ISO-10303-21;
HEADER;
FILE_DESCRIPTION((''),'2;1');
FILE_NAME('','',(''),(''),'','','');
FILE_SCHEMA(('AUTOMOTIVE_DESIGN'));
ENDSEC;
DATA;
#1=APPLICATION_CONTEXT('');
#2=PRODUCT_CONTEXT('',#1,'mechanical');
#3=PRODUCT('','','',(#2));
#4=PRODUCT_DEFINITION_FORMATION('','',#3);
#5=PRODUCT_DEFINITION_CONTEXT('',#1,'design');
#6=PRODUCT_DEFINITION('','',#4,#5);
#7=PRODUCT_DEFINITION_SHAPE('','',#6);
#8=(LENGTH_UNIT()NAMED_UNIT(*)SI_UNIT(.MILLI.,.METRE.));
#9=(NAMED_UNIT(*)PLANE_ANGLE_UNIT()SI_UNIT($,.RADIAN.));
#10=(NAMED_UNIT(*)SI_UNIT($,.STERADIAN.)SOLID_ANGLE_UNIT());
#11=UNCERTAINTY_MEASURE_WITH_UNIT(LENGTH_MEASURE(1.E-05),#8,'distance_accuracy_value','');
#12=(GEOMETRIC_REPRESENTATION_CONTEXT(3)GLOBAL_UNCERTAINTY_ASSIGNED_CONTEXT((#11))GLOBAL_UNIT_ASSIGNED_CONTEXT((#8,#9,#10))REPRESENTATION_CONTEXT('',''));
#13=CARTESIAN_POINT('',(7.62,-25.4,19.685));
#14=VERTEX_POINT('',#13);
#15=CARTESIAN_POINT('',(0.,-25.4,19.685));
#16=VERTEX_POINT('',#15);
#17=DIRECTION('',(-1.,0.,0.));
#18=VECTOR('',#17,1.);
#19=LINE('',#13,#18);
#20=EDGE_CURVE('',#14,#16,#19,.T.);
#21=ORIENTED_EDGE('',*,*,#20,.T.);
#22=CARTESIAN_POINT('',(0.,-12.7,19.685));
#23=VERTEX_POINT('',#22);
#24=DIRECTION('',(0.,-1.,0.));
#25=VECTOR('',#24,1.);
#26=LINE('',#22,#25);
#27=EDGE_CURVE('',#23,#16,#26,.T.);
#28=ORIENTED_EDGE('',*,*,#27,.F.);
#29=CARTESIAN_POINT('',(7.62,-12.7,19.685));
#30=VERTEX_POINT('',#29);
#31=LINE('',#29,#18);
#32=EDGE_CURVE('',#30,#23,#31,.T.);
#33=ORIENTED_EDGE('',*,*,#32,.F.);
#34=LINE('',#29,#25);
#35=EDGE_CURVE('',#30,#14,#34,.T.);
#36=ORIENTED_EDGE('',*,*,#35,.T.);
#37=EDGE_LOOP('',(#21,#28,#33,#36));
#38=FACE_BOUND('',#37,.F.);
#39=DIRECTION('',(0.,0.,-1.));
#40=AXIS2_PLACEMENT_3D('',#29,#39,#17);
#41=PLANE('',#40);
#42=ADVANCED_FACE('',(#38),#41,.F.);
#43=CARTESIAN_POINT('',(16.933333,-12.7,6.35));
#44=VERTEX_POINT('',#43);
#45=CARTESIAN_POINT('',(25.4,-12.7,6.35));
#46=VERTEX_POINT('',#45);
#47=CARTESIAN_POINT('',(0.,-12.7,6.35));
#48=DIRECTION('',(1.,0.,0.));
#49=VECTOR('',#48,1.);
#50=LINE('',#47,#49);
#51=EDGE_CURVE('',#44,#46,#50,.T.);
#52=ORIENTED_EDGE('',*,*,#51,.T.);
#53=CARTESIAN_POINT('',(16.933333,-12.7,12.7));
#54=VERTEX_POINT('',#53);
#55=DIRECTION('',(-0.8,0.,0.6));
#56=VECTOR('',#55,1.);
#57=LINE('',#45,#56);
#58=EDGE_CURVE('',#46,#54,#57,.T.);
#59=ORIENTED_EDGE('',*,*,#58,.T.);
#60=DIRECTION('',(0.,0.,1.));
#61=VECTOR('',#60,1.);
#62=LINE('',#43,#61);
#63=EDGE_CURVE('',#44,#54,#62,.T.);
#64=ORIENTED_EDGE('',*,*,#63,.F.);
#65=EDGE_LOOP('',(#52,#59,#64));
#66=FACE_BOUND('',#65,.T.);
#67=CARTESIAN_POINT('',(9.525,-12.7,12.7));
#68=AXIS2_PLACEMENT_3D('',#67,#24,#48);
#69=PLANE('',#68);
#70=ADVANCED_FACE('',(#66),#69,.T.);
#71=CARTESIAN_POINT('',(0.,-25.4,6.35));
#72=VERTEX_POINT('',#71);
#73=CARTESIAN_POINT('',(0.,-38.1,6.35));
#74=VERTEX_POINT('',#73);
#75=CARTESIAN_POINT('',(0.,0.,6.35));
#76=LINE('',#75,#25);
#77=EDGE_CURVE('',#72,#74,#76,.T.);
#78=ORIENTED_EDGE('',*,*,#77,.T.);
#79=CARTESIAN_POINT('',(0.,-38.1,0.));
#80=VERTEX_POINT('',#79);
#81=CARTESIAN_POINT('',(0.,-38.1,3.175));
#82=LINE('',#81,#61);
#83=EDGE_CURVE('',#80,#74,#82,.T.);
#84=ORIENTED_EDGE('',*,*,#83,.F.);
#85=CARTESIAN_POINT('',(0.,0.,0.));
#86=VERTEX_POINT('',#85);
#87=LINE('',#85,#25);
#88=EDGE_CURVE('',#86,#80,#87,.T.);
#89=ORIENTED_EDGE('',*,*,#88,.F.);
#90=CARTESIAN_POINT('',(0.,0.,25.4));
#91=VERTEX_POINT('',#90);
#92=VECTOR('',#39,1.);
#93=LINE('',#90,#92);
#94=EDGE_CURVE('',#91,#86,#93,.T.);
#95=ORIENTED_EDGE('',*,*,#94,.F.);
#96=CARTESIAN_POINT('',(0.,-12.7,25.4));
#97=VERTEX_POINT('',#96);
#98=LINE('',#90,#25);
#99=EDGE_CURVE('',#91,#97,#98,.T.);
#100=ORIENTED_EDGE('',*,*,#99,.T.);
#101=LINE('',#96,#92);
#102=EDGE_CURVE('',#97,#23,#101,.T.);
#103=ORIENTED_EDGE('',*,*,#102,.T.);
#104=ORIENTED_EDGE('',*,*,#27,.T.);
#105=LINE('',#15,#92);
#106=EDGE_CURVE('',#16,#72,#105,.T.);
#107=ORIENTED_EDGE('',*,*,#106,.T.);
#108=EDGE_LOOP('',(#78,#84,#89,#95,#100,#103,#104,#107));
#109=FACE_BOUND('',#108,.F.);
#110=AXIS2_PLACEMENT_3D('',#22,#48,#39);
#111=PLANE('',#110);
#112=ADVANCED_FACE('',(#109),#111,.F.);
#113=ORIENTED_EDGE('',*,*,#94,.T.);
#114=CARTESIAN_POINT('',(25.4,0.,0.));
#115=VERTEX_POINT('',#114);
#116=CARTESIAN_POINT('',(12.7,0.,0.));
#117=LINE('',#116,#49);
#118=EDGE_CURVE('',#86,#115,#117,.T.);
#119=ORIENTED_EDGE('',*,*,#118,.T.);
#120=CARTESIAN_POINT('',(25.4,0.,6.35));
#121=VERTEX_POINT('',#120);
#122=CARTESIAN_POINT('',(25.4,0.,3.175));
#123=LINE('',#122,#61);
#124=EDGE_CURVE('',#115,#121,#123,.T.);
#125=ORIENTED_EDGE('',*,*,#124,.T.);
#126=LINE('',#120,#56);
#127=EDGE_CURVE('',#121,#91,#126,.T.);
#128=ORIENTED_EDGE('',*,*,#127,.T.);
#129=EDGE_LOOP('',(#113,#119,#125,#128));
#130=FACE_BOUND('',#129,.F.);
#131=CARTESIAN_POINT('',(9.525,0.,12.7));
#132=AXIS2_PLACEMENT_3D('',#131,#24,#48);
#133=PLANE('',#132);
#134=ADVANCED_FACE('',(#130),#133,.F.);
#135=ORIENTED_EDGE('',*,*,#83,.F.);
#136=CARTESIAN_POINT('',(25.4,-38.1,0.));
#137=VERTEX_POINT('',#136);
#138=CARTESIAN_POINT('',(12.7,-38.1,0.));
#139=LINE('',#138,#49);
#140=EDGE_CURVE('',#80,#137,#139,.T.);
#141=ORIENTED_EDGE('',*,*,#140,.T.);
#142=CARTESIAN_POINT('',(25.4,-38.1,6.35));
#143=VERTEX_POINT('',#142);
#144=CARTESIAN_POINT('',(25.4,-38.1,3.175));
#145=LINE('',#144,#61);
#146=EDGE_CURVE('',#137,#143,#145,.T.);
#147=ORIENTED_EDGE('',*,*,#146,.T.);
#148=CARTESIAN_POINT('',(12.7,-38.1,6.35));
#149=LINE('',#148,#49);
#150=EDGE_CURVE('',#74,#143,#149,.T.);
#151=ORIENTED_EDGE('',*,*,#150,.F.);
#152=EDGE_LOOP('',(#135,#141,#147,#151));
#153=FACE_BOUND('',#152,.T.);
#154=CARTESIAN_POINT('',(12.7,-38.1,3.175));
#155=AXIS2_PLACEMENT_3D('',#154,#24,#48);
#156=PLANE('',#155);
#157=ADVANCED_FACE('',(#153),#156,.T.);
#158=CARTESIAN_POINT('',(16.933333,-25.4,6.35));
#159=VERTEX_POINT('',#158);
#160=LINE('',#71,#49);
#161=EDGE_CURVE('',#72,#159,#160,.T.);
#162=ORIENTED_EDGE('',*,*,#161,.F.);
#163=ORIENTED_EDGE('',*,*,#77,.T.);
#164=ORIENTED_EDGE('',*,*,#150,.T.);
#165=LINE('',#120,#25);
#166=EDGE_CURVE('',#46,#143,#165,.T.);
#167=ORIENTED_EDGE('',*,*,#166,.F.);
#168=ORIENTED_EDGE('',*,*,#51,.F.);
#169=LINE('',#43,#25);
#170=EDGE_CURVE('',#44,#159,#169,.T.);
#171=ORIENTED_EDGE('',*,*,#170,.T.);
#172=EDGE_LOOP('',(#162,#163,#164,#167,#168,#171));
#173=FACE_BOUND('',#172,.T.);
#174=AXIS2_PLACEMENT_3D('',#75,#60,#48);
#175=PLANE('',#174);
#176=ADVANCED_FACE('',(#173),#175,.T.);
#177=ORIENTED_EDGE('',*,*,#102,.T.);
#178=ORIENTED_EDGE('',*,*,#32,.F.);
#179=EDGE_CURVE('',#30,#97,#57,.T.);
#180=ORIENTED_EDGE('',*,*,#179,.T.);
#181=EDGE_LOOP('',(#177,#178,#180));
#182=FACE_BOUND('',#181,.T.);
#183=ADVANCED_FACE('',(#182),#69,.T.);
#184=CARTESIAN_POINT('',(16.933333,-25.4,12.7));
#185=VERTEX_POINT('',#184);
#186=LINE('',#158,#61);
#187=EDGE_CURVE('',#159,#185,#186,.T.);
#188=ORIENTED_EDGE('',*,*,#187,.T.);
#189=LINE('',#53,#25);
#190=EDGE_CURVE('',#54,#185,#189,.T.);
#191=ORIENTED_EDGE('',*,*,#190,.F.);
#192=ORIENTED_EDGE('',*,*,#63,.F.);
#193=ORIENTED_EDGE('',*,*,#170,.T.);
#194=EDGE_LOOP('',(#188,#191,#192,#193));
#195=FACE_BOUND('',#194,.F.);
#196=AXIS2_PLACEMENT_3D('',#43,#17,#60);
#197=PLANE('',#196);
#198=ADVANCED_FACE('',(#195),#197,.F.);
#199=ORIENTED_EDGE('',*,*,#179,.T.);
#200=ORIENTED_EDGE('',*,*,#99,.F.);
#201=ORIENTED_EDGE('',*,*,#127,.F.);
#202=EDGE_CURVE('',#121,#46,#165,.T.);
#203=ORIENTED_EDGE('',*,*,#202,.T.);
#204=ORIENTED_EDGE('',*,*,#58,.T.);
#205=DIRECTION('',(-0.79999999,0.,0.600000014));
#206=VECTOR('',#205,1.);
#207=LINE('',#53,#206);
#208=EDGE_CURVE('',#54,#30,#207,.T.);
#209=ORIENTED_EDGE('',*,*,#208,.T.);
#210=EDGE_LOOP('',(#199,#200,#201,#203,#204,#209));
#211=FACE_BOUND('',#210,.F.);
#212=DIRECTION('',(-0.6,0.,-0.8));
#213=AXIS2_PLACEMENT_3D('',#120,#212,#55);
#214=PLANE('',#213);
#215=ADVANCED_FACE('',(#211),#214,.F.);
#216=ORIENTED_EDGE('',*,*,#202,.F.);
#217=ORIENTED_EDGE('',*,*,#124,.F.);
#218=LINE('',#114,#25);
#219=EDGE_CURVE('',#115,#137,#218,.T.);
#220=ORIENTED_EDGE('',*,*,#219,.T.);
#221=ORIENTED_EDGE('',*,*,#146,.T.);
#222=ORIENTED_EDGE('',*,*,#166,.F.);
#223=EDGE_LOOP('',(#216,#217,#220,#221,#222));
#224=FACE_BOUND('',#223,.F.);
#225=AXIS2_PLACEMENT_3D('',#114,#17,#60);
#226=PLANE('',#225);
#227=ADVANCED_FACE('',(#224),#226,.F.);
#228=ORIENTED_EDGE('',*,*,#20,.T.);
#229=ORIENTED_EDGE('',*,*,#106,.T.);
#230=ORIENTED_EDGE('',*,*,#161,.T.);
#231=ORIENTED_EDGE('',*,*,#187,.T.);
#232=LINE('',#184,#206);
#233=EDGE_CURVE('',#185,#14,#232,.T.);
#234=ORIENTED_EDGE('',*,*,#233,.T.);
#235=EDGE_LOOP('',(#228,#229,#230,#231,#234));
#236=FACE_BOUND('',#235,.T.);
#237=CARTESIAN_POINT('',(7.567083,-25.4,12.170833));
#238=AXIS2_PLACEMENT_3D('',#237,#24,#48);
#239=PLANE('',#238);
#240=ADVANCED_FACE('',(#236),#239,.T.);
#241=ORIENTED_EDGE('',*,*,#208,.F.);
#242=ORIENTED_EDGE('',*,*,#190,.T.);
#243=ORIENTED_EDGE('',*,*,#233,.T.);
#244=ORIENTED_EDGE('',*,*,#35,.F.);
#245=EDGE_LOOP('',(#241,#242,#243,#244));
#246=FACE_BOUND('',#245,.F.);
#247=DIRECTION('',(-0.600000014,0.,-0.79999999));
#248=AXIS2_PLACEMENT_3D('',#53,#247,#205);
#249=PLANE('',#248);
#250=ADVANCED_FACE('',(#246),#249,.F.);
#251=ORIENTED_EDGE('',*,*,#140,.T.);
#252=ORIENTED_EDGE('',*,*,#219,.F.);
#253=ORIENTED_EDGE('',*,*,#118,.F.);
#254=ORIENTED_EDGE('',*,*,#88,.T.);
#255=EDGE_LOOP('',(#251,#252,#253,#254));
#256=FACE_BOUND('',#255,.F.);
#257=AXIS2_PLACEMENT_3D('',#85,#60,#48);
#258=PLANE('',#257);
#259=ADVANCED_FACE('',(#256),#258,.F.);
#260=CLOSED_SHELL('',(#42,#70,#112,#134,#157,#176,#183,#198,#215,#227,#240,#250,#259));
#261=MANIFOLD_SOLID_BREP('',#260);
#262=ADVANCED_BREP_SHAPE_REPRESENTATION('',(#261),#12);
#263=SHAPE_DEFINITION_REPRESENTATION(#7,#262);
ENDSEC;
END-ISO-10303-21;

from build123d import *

# Parameters (mm, degrees)
F0_W     = 25.4
F0_H     = 6.35
F1_DEPTH = 38.1
F3_DEPTH = 12.7
F5_DEPTH = 12.7


with BuildPart() as f1:
    # F0 (on Front) → F1 (new body)
    with BuildSketch(Plane.XZ):
        with Locations((12.7, 3.175)):
            Rectangle(F0_W, F0_H)
    extrude(amount=F1_DEPTH)

    # F2 (on Front) → F3 (join)
    with BuildSketch(Plane.XZ):
        Polygon((0, 6.35), (25.4, 6.35), (0, 25.4), align=None)
    extrude(amount=F3_DEPTH)

    # F4 (on face) → F5 (join)
    with BuildSketch(Plane.XZ.offset(12.7)):
        Polygon((0, 19.685), (0, 6.35), (16.933333, 6.35), (16.933333, 12.7), (7.62, 19.685), align=None)
    extrude(amount=F5_DEPTH)


solid = f1.part
